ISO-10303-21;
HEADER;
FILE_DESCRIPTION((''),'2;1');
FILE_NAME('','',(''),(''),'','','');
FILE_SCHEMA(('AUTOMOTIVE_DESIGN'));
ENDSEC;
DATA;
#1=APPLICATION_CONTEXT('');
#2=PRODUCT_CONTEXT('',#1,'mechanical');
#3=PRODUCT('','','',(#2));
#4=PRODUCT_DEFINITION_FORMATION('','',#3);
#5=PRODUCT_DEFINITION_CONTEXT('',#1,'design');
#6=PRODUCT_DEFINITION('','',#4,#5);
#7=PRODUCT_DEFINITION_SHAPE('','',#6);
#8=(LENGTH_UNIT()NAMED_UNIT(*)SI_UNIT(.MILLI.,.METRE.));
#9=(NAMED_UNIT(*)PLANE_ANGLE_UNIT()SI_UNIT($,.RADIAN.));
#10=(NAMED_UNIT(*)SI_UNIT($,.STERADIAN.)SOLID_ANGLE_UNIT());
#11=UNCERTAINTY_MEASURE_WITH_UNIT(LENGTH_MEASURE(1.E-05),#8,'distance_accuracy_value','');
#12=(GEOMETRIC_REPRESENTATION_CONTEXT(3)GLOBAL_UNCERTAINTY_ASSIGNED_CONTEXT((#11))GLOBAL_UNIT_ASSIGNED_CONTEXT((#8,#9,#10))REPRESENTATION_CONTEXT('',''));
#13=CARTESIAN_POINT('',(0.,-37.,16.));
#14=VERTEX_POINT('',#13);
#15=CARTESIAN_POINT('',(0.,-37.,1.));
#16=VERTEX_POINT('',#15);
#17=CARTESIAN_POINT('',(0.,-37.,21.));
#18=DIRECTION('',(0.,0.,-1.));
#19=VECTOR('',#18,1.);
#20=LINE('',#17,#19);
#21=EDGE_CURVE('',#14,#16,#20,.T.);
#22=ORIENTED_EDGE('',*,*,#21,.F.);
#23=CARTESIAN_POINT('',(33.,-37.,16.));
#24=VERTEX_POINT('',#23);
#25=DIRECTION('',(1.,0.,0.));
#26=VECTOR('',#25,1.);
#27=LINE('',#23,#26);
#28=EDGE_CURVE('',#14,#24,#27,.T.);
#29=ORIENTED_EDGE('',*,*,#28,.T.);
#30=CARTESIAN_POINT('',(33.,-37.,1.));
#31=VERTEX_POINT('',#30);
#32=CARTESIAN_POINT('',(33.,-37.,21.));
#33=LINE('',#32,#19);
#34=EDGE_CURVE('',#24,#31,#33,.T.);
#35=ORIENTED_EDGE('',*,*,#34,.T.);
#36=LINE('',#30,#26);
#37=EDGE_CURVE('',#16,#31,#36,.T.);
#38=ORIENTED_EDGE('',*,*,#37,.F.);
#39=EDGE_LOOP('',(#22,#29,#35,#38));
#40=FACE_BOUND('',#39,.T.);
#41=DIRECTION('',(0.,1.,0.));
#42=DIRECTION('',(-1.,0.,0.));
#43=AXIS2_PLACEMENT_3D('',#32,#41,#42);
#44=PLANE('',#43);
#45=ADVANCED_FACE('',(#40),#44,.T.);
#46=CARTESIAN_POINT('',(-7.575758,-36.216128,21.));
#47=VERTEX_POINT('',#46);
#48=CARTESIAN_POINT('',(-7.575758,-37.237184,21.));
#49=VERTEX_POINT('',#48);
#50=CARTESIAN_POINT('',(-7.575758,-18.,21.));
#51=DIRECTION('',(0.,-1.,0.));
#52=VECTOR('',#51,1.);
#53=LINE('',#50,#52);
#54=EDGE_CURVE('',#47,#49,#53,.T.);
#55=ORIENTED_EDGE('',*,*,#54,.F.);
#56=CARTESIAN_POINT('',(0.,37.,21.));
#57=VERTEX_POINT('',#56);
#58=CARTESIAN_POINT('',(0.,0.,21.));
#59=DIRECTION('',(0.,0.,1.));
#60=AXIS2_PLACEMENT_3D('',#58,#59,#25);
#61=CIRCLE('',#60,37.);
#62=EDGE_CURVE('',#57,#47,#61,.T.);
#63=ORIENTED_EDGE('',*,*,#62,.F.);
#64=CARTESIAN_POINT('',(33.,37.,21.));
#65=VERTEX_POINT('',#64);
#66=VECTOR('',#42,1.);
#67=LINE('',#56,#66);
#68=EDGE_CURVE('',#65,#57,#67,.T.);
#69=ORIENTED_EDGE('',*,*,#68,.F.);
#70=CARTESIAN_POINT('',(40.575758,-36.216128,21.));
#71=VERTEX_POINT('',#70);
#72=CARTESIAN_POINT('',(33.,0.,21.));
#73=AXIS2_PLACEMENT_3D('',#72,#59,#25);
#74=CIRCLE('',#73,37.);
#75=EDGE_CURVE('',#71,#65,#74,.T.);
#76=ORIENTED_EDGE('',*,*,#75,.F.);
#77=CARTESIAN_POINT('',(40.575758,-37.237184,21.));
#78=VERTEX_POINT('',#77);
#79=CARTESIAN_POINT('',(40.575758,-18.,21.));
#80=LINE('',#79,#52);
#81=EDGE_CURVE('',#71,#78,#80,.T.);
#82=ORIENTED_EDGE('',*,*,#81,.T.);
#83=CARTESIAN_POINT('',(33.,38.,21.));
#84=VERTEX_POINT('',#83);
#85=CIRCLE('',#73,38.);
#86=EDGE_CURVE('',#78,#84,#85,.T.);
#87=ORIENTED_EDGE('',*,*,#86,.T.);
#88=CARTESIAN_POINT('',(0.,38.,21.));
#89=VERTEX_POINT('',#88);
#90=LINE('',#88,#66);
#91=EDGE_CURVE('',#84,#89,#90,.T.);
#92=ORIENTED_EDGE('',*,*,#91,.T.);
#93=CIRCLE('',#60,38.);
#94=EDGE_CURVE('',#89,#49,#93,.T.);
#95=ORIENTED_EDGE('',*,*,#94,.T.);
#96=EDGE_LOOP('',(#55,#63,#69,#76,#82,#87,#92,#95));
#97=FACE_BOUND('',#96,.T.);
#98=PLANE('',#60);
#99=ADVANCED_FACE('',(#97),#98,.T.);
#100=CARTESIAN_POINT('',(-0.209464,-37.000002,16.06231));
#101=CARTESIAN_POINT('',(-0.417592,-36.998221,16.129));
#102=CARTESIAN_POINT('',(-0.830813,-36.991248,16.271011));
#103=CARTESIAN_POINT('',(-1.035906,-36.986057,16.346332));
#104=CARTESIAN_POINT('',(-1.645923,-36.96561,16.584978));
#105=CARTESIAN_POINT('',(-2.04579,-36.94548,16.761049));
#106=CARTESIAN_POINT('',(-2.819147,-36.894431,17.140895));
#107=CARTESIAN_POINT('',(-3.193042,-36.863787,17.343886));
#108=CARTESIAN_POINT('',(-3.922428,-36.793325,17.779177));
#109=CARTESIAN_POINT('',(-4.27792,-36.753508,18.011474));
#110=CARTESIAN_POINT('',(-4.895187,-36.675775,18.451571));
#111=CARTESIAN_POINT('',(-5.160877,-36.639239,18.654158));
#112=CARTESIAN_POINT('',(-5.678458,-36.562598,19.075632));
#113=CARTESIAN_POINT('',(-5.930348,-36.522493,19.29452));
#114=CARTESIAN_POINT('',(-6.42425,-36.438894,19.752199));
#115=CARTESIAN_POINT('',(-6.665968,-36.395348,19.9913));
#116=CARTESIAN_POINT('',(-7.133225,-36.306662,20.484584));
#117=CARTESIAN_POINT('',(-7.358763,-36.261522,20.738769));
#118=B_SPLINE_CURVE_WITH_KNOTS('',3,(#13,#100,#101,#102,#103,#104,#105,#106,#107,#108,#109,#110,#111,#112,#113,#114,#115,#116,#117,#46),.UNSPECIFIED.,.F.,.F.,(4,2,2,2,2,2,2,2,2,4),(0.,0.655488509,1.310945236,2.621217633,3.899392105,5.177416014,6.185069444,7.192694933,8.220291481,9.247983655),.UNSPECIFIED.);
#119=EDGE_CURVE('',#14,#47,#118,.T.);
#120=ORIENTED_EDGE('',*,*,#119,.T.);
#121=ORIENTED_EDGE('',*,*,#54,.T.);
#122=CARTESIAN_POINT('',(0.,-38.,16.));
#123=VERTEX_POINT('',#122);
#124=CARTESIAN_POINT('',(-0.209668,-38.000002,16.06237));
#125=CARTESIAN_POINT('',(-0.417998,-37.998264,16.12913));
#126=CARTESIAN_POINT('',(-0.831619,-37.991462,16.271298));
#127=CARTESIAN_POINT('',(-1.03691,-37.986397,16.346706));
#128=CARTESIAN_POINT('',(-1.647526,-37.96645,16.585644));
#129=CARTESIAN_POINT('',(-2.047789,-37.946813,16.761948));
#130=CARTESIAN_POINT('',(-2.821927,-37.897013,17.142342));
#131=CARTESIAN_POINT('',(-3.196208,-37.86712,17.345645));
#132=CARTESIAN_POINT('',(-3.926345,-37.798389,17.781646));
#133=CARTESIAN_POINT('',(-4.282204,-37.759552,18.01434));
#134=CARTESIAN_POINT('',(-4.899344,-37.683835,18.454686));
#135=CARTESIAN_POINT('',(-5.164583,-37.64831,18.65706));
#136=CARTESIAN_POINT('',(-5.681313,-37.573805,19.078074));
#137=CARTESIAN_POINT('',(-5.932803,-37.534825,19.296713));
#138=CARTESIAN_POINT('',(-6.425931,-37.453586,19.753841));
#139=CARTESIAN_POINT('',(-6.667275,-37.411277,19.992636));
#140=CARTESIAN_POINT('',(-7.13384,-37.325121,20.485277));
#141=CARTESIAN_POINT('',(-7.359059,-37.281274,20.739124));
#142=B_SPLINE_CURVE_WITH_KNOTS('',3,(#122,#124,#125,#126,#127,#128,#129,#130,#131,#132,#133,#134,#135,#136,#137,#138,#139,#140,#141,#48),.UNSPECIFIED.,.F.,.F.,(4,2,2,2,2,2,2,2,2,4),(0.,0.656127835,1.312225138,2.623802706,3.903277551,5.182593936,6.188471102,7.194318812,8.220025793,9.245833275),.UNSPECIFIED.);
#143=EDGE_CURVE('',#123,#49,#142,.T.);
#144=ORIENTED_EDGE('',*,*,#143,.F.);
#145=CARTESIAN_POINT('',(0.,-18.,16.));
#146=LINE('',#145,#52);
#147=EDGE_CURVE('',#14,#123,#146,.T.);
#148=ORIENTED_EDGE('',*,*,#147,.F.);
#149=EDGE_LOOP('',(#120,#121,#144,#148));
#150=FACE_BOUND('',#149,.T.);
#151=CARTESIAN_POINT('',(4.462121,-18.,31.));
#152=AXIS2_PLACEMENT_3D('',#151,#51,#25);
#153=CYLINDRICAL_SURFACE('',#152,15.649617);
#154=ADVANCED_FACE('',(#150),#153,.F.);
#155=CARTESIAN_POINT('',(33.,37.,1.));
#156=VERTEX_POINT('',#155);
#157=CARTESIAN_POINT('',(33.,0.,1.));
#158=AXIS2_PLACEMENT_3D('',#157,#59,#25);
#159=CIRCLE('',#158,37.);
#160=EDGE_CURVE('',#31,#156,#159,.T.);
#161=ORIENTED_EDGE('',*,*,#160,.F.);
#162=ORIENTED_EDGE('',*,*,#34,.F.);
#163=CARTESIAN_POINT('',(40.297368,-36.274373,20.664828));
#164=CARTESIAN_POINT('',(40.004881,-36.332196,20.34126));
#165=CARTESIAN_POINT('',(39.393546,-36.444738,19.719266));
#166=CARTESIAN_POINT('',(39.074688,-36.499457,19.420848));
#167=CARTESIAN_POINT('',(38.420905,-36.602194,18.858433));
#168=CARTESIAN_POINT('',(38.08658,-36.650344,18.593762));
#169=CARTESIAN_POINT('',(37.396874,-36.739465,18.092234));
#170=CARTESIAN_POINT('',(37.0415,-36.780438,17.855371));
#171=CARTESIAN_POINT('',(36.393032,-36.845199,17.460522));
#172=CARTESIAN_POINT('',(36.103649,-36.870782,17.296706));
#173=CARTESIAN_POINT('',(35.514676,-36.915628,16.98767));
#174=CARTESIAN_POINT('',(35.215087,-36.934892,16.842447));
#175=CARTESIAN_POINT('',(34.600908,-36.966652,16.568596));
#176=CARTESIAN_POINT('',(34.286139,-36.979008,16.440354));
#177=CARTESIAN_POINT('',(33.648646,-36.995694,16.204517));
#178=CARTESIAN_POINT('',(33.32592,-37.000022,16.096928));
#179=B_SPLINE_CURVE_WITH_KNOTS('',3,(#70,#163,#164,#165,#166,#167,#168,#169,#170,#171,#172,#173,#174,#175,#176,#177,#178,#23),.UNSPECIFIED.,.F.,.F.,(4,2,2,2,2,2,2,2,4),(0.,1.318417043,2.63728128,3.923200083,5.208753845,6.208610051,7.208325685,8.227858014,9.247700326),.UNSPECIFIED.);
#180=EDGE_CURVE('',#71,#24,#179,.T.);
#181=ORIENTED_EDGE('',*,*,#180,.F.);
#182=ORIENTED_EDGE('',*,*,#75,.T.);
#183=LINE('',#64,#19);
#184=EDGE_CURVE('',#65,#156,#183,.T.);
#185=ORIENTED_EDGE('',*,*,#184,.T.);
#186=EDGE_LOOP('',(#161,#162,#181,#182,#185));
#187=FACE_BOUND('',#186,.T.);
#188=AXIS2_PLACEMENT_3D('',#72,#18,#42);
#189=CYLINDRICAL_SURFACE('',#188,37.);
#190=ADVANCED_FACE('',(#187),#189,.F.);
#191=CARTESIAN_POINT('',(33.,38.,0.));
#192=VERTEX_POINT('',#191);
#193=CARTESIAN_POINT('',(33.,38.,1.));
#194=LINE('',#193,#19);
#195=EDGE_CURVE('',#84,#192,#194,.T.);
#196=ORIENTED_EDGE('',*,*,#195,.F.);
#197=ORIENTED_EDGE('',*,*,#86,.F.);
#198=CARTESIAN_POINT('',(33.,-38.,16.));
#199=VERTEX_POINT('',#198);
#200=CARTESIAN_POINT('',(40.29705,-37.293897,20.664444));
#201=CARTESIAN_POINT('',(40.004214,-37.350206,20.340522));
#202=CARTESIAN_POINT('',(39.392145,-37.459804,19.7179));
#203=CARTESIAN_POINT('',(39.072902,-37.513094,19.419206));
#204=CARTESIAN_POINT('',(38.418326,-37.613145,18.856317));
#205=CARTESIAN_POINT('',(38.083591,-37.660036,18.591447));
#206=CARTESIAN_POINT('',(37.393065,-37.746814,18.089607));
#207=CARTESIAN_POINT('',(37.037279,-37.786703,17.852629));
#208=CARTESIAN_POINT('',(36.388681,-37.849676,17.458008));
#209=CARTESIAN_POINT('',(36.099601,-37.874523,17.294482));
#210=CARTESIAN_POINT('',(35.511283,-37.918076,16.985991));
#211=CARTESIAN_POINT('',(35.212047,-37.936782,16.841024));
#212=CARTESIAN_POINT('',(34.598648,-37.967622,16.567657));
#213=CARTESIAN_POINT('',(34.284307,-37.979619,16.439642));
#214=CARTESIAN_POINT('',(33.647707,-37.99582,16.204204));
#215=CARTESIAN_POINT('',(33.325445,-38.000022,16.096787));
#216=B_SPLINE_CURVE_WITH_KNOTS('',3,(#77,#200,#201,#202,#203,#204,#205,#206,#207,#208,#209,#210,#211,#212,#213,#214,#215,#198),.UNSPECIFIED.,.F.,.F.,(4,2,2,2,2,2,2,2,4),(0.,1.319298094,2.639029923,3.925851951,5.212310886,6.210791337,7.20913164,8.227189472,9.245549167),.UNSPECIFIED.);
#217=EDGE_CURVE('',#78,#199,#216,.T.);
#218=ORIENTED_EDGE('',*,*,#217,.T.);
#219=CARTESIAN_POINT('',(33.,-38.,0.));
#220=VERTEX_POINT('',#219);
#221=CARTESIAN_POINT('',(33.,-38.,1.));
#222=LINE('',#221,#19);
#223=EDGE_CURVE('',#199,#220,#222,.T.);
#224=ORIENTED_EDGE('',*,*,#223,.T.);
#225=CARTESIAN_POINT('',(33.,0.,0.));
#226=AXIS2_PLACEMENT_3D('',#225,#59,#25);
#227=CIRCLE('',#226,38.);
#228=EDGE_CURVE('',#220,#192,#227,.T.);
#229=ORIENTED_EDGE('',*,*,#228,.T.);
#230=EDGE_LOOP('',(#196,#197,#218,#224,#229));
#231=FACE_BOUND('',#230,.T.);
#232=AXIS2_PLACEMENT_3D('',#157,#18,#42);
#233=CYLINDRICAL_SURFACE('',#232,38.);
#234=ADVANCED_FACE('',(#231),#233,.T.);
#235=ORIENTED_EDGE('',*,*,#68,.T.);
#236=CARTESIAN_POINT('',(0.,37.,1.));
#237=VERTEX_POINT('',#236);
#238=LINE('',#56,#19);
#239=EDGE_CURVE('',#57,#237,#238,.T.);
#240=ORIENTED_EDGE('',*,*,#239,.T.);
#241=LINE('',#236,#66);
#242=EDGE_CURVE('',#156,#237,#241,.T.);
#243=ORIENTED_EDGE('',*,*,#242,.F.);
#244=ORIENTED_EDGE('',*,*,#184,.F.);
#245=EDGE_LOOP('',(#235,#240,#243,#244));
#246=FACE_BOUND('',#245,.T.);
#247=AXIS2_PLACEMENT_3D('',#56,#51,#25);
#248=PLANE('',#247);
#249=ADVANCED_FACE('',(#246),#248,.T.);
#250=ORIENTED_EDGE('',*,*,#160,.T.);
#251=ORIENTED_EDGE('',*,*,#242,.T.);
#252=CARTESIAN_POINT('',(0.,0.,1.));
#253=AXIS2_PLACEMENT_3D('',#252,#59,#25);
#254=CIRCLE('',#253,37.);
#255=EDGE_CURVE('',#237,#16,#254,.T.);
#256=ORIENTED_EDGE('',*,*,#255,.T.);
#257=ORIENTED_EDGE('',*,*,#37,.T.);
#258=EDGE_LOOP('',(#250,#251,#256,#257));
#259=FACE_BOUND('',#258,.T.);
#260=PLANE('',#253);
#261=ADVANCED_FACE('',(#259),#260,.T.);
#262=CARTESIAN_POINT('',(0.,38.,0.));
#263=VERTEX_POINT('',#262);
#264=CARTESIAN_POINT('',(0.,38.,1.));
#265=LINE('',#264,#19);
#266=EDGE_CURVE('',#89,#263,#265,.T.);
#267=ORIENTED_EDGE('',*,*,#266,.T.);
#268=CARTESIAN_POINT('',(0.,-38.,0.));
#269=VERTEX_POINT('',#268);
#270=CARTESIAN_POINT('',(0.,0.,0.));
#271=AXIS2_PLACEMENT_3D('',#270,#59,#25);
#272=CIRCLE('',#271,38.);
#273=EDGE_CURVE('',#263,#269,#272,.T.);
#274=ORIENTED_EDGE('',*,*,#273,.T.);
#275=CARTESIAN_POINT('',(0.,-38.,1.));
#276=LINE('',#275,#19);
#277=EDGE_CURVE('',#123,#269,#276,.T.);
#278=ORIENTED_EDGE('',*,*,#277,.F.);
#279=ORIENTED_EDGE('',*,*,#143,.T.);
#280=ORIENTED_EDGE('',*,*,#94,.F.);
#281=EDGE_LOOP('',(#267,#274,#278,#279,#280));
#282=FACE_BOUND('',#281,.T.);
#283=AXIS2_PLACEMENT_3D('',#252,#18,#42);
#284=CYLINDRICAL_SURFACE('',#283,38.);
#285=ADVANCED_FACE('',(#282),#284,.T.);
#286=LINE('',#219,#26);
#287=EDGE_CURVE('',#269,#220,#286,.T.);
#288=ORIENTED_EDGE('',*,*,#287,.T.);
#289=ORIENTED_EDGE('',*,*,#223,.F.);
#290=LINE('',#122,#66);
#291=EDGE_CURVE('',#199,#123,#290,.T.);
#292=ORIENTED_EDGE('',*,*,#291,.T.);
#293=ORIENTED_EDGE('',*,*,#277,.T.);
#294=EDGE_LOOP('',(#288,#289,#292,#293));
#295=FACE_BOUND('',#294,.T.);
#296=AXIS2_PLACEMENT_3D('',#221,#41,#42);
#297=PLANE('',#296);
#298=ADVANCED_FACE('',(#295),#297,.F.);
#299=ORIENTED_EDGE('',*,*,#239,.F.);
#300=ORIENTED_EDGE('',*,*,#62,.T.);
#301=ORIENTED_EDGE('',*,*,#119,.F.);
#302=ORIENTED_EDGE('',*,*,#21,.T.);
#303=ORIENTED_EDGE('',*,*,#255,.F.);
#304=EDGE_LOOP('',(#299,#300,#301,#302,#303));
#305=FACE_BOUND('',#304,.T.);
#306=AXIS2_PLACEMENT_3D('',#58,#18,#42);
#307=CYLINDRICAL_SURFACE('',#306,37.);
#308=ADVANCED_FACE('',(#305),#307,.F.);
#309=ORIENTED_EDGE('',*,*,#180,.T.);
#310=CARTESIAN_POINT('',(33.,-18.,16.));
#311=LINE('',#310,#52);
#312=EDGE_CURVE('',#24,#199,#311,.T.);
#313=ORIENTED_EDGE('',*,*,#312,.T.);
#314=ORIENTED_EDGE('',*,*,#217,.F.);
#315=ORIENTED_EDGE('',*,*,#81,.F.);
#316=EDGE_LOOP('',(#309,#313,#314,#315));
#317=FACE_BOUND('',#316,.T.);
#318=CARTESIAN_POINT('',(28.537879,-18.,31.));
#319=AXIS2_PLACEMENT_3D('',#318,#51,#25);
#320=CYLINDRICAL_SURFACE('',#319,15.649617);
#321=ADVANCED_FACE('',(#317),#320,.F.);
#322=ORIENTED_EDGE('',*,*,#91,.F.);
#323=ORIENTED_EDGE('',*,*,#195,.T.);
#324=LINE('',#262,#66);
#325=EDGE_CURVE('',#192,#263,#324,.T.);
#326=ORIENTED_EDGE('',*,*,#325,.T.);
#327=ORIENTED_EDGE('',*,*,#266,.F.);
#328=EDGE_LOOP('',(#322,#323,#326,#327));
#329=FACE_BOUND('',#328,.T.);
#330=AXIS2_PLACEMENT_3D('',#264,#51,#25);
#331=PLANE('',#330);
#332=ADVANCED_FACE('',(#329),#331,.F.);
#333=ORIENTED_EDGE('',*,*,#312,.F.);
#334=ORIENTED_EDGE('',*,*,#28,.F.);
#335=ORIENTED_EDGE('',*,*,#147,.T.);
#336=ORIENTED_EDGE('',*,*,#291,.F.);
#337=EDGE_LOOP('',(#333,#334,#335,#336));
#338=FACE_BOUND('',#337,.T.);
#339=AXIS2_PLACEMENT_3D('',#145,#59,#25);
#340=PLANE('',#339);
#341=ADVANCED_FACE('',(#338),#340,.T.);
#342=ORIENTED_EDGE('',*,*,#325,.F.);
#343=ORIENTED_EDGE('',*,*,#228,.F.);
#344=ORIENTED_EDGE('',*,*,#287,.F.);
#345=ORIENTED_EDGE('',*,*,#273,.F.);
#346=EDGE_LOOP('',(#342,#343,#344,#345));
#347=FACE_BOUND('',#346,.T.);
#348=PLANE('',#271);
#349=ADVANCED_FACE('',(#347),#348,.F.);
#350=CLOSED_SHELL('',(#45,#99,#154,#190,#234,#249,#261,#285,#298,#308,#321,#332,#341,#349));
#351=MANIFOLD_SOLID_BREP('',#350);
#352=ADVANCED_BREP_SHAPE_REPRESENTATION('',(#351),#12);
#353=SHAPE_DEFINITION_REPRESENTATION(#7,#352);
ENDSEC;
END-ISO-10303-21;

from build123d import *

# Parameters (mm, degrees)
EXTRUDE_1_DEPTH     = 1
EXTRUDE_2_DEPTH     = 20
CUT_EXTRUDE_1_DEPTH = 20


with BuildPart() as part:
    # 草图1 → 凸台-拉伸1 (new body)
    with BuildSketch(Plane.XY):
        with BuildLine():
            Line((0, 38), (33, 38))
            ThreePointArc((33, 38), (71, 0), (33, -38))
            Line((33, -38), (0, -38))
            ThreePointArc((0, -38), (-38, 0), (0, 38))
        make_face()
    extrude(amount=EXTRUDE_1_DEPTH)

    # 草图2 → 凸台-拉伸2 (add)
    with BuildSketch(Plane.XY.offset(1)):
        with BuildLine():
            Line((0, 38), (33, 38))
            ThreePointArc((33, 38), (71, 0), (33, -38))
            Line((33, -38), (0, -38))
            ThreePointArc((0, -38), (-38, 0), (0, 38))
        make_face()
        with BuildLine():
            Line((0, 37), (33, 37))
            ThreePointArc((33, 37), (70, 0), (33, -37))
            Line((33, -37), (0, -37))
            ThreePointArc((0, -37), (-37, 0), (0, 37))
        make_face(mode=Mode.SUBTRACT)
    extrude(amount=EXTRUDE_2_DEPTH)

    # 草图3 → 切除-拉伸1 (cut)
    with BuildSketch(Plane.XZ.offset(38)):
        Polygon((0, 16), (33, 16), (33, 21), (16.5, 21), (0, 21), align=None)
        with BuildLine():
            ThreePointArc((-7.575757576, 21), (-4.158348613, 17.938682084), (0, 16))
            Line((0, 16), (0, 21))
            Line((0, 21), (-7.575757576, 21))
        make_face()
        with BuildLine():
            Line((33, 21), (33, 16))
            ThreePointArc((33, 16), (37.158348613, 17.938682084), (40.575757576, 21))
            Line((40.575757576, 21), (33, 21))
        make_face()
    extrude(amount=-CUT_EXTRUDE_1_DEPTH, mode=Mode.SUBTRACT)


solid = part.part
